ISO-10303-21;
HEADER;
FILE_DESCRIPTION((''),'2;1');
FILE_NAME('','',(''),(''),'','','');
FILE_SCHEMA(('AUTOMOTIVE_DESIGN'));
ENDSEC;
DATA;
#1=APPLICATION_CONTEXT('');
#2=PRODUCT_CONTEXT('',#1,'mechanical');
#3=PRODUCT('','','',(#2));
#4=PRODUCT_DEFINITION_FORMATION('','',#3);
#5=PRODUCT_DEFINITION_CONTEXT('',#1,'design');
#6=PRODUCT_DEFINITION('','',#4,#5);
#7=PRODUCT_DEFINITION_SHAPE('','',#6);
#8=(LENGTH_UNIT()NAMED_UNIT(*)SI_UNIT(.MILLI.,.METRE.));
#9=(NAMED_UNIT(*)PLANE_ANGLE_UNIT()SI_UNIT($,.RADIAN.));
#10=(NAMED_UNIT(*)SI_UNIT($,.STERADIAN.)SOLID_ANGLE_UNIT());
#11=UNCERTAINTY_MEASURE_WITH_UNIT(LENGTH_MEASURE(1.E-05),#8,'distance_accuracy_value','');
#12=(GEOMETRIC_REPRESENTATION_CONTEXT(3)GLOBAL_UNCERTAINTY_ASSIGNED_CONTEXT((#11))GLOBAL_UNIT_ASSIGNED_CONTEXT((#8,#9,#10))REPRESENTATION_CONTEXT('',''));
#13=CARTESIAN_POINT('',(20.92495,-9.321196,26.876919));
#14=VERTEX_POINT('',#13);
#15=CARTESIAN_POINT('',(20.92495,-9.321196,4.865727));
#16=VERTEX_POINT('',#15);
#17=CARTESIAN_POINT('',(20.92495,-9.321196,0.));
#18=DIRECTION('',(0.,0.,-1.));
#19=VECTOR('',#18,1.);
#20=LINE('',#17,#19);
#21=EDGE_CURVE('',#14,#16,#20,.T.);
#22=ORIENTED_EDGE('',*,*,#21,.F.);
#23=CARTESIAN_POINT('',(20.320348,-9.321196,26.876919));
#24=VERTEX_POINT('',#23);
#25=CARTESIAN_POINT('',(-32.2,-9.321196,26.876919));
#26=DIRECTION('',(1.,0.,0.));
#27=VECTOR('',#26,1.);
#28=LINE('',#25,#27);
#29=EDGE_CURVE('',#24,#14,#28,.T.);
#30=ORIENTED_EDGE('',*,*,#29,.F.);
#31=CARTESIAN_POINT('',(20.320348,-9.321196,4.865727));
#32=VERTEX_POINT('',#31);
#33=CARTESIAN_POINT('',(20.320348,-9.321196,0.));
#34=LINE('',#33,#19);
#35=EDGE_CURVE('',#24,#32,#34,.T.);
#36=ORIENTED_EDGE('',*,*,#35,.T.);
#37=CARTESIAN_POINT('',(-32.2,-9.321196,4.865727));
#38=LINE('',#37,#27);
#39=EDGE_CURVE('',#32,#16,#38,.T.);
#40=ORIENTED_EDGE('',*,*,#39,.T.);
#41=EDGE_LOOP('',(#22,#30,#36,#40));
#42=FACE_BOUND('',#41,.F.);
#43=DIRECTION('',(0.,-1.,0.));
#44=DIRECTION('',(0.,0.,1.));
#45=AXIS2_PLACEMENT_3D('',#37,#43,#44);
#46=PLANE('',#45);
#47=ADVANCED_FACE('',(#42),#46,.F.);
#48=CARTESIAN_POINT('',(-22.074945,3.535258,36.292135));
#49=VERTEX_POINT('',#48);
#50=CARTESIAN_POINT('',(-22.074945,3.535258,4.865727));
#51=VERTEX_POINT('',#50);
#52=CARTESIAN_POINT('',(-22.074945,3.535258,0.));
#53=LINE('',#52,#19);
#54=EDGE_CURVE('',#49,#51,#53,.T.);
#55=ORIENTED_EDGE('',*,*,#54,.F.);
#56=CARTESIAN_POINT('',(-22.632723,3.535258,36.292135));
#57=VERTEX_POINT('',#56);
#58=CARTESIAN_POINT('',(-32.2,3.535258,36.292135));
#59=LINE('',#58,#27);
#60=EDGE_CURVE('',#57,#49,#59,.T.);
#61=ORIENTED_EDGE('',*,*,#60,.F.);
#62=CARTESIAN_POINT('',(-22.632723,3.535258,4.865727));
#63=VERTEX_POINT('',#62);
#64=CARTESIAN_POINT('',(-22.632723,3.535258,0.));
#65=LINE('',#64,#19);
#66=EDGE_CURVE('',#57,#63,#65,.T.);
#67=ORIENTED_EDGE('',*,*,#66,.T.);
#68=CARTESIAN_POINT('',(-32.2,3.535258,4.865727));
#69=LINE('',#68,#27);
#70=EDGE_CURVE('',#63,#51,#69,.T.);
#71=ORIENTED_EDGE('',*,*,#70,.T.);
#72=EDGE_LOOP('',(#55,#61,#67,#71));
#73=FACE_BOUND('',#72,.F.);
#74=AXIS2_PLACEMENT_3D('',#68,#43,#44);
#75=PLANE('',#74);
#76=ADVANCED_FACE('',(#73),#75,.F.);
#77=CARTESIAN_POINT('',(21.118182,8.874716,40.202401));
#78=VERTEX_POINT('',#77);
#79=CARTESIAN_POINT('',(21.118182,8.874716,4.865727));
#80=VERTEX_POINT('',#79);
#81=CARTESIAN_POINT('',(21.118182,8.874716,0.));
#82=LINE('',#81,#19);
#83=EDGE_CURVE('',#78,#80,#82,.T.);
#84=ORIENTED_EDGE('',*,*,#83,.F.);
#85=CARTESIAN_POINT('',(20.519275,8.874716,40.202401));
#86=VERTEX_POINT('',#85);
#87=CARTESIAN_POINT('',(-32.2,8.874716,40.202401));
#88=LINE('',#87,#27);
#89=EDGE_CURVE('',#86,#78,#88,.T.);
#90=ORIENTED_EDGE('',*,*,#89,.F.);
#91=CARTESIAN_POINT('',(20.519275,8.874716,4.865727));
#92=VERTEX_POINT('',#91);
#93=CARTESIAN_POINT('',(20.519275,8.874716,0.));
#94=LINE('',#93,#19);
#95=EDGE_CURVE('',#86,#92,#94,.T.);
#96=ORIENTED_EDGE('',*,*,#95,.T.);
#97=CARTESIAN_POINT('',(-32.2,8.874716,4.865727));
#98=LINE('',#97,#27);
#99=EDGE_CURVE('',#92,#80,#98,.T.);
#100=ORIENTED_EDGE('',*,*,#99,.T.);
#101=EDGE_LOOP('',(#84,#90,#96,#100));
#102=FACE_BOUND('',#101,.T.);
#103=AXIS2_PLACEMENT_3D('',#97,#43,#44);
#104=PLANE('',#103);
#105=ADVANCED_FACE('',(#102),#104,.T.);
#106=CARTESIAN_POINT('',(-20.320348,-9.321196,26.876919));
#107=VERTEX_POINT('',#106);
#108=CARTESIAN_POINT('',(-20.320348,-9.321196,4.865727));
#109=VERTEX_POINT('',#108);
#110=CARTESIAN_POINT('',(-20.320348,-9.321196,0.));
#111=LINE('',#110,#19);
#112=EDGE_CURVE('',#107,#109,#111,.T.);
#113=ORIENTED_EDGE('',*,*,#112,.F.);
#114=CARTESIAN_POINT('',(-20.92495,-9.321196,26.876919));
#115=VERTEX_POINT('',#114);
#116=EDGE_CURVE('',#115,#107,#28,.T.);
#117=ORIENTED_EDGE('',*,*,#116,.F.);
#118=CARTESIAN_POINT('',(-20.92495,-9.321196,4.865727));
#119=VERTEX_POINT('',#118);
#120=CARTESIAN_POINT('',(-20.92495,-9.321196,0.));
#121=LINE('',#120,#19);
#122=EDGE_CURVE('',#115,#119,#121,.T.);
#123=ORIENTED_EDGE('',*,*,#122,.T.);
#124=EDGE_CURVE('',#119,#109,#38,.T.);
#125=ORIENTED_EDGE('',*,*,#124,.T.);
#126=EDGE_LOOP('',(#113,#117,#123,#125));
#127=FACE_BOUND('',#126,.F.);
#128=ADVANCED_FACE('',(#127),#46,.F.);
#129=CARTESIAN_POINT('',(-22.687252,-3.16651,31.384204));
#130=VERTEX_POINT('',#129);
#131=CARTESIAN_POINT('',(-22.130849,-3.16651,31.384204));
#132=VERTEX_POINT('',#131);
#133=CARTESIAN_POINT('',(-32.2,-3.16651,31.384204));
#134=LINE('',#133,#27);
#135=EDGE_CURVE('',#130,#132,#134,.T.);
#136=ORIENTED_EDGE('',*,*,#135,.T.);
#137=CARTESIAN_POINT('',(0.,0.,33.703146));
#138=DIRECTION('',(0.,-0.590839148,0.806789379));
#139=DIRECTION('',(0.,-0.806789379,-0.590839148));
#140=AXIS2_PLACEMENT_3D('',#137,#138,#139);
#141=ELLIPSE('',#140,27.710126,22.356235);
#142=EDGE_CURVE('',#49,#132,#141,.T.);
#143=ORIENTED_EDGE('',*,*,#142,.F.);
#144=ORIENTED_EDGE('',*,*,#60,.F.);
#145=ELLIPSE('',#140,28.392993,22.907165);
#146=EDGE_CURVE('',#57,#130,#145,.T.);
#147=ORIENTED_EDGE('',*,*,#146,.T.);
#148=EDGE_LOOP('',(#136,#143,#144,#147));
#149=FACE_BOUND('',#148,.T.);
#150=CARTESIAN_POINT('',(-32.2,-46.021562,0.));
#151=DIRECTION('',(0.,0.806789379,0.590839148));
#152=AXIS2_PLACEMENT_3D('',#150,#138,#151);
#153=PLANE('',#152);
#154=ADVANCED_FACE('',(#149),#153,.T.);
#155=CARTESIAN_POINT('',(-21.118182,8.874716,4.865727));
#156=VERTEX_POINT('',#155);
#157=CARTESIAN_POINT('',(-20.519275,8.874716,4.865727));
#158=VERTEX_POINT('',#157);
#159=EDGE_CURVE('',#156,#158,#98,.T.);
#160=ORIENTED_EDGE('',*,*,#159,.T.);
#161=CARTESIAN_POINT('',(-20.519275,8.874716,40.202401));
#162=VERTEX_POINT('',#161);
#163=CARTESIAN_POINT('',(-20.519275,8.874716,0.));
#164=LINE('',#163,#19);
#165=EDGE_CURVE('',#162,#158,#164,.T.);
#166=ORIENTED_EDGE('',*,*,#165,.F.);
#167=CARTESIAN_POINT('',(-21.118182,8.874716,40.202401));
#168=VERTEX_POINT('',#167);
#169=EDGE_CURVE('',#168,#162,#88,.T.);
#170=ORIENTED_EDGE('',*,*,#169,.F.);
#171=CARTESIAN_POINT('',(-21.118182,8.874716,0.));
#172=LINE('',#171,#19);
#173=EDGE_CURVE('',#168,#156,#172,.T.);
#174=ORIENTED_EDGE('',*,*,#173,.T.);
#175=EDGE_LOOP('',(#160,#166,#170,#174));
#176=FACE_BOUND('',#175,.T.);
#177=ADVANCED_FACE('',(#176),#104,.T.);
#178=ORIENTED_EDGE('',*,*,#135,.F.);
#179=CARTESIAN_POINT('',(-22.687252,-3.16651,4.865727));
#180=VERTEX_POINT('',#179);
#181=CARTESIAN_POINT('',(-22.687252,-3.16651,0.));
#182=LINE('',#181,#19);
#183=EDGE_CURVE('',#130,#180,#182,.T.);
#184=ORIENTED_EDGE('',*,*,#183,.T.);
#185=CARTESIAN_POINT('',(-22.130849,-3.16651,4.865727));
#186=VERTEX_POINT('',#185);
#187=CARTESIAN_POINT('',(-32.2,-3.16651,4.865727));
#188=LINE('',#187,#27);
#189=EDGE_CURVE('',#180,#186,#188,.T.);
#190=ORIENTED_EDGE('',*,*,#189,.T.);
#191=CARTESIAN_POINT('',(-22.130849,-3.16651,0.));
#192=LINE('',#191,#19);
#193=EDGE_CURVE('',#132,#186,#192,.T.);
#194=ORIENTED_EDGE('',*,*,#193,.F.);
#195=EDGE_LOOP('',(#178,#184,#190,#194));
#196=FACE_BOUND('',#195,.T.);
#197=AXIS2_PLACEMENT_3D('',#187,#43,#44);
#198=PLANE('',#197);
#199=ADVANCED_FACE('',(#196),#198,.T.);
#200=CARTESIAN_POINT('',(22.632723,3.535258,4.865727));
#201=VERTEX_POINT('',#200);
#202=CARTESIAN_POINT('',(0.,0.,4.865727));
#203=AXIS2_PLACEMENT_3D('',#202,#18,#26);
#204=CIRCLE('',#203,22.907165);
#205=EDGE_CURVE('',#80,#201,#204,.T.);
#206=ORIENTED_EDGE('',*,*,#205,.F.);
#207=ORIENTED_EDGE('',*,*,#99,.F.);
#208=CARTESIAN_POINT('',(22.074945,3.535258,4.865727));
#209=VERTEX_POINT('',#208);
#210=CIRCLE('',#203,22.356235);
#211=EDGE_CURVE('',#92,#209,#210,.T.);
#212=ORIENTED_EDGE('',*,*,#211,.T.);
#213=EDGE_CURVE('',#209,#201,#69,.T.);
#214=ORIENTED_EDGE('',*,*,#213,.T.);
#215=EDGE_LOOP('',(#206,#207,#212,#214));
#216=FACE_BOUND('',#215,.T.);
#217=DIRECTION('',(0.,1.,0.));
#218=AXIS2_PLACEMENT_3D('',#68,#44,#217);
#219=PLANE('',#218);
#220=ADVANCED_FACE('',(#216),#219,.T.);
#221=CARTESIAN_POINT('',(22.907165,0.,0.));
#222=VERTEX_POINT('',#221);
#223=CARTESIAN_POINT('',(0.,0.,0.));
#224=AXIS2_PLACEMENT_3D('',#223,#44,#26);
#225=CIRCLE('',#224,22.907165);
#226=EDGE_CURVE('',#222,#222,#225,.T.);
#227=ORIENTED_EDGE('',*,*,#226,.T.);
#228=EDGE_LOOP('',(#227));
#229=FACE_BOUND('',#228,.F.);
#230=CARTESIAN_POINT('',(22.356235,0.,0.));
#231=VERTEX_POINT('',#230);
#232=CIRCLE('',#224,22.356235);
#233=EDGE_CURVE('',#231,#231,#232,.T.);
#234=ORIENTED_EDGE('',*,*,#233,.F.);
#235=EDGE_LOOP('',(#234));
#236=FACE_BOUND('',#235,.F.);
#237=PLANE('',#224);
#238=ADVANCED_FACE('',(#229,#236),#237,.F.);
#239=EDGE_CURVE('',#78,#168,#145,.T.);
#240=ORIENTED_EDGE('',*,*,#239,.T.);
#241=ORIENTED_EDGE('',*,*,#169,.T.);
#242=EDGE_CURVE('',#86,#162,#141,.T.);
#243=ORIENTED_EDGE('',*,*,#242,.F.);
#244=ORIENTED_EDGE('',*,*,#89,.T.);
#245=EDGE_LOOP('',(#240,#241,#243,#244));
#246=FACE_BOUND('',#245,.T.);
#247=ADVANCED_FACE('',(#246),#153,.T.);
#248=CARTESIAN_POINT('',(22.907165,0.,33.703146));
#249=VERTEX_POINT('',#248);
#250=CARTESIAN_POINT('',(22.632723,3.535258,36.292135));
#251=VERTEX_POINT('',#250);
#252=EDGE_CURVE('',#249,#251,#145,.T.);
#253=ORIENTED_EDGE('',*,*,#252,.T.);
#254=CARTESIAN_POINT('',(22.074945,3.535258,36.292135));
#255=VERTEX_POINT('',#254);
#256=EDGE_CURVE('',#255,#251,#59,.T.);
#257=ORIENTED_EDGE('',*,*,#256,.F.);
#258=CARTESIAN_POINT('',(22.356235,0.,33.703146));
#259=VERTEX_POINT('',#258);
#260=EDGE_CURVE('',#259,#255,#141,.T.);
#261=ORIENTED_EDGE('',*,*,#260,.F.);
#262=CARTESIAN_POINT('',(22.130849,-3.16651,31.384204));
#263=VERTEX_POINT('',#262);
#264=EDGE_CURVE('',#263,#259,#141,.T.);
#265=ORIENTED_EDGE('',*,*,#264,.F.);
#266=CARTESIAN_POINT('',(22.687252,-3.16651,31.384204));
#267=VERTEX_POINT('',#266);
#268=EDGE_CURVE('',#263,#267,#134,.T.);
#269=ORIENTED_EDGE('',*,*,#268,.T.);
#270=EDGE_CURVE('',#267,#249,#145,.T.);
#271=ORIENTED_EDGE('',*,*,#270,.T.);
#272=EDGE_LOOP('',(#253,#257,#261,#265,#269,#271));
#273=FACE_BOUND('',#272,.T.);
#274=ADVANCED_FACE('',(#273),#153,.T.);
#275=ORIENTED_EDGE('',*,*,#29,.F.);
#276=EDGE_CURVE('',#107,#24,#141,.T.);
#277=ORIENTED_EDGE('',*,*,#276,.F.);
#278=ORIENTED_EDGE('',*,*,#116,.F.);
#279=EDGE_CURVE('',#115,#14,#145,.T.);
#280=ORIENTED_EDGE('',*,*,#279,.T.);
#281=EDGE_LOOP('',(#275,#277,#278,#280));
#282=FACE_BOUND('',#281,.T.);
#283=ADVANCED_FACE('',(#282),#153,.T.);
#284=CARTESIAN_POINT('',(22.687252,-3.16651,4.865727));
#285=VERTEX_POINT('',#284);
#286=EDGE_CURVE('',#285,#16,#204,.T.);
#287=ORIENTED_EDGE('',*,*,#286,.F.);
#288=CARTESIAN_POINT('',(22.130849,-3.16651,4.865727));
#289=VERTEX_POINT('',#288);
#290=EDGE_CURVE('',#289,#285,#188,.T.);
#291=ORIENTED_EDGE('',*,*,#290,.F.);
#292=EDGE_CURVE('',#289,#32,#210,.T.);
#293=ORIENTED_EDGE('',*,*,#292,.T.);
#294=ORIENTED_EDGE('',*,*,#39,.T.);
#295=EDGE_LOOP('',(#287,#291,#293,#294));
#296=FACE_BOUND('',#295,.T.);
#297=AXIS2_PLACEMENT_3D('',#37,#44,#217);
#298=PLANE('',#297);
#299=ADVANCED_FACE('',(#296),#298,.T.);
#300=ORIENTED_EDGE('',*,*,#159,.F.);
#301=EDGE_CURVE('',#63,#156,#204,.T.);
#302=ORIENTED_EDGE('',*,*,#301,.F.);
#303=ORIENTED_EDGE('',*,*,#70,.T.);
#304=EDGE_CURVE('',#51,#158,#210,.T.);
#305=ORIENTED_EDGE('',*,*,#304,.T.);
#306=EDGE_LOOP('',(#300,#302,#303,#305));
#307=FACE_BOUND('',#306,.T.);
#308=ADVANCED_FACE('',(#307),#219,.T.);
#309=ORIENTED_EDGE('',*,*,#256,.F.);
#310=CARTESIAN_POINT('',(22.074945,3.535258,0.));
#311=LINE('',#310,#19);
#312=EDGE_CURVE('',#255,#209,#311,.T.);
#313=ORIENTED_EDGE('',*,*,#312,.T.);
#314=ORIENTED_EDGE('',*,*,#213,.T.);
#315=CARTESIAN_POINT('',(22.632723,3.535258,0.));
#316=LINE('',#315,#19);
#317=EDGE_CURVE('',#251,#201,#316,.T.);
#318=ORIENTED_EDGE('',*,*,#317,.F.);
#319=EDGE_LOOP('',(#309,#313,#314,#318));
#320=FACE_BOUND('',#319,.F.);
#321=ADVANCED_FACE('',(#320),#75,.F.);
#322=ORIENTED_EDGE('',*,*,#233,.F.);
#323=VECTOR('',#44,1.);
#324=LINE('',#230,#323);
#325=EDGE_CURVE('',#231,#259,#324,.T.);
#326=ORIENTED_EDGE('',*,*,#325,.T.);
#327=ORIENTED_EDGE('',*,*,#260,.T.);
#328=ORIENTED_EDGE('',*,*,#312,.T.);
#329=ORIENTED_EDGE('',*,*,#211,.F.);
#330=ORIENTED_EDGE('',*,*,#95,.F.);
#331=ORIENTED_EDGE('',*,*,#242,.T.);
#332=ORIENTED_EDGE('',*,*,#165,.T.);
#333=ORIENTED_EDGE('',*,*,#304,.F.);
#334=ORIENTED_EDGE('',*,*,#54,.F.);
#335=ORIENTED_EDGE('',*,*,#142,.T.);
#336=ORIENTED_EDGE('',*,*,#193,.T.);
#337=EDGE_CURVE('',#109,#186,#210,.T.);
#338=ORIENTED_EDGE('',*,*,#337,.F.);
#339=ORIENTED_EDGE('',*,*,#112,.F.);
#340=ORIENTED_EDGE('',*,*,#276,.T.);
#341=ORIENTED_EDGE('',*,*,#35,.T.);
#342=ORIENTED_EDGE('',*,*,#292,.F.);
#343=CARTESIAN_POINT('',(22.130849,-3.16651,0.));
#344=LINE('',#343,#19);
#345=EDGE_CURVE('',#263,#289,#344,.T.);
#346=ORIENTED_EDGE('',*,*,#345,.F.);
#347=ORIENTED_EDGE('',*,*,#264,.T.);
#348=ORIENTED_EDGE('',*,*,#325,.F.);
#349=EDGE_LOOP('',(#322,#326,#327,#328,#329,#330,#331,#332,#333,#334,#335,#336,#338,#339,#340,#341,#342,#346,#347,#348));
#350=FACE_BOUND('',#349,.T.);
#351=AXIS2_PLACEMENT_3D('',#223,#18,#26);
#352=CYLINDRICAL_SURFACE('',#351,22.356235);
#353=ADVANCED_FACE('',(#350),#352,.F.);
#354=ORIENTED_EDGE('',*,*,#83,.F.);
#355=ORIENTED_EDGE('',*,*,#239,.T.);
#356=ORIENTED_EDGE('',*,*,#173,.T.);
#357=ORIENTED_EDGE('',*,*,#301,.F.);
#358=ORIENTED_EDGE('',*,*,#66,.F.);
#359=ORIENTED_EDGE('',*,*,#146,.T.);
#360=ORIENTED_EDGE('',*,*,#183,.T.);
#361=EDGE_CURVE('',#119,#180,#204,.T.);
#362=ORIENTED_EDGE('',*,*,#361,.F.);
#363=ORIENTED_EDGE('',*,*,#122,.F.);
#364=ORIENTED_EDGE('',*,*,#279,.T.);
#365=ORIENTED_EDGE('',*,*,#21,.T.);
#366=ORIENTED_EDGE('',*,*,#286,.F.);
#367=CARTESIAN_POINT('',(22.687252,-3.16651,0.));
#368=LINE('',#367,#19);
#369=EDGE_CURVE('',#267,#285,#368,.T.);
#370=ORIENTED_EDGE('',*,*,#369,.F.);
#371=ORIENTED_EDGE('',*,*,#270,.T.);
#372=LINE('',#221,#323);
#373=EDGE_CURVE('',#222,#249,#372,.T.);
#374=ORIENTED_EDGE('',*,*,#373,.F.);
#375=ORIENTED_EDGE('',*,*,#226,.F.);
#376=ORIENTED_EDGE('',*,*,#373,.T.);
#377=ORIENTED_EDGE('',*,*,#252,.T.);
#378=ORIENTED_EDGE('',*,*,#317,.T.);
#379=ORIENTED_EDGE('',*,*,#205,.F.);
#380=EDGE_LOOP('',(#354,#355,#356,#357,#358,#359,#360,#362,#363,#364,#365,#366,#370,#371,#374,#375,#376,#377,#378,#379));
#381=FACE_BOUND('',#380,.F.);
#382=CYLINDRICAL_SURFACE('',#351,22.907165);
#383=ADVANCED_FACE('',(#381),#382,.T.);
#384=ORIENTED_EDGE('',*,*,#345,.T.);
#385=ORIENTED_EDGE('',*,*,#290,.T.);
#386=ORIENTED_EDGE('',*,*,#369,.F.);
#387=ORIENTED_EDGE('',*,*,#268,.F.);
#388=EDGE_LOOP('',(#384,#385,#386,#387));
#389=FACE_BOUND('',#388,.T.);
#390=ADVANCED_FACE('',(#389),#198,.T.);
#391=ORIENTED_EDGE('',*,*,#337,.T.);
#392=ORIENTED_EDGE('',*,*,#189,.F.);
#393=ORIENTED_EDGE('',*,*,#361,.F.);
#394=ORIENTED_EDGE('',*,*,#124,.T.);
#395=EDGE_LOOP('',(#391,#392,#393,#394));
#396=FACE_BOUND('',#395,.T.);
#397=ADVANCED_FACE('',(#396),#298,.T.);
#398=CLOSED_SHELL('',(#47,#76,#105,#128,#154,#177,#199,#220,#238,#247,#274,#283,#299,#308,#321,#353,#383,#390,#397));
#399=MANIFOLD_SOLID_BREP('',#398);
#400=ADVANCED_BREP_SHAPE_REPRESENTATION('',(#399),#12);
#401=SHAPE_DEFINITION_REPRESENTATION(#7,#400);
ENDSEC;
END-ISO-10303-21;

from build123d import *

# Parameters (mm, degrees)
F0_R      = 22.907165
F1_DEPTH  = 51.1
F4_DEPTH  = 106.8
F5_R      = 22.356235
F5_R_2    = 21
F6_DEPTH  = 54.8
F7_R      = 21.538885
F8_DEPTH  = 64.2
F9_W      = 6.154686
F9_H      = 33.235299
F9_W_2    = 5.339459
F9_H_2    = 37.849365
F10_DEPTH = 98.8
F11_DEPTH = 96.1


with BuildPart() as f1:
    # F0 (on Top) → F1 (new body)
    with BuildSketch(Plane.XY):
        Circle(F0_R)
    extrude(amount=F1_DEPTH)

    # F3 (on offset) → F4 (cut)
    with BuildSketch(Plane.YZ.offset(-32.2)):
        Polygon((-46.021562, 0), (31.365387, 56.67308), (-37.553031, 54.173857), align=None)
    extrude(amount=F4_DEPTH, mode=Mode.SUBTRACT)

    # F5 (on Top) → F6 (cut)
    with BuildSketch(Plane.XY):
        Circle(F5_R)
        Circle(F5_R_2, mode=Mode.SUBTRACT)
    extrude(amount=F6_DEPTH, mode=Mode.SUBTRACT)

    # F7 (on Top) → F8 (cut)
    with BuildSketch(Plane.XY):
        Circle(F7_R)
    extrude(amount=F8_DEPTH, mode=Mode.SUBTRACT)

    # F9 (on offset) → F10 (cut)
    with BuildSketch(Plane.YZ.offset(-32.2)):
        with Locations((-6.243853, 21.483376)):
            Rectangle(F9_W, F9_H)
        with Locations((6.204987, 23.790409)):
            Rectangle(F9_W_2, F9_H_2)
    extrude(amount=F10_DEPTH, mode=Mode.SUBTRACT)

    # F9 (on offset) → F11 (cut)
    with BuildSketch(Plane.YZ.offset(-32.2)):
        with Locations((-6.243853, 21.483376)):
            Rectangle(F9_W, F9_H)
        with Locations((6.204987, 23.790409)):
            Rectangle(F9_W_2, F9_H_2)
    extrude(amount=F11_DEPTH, mode=Mode.SUBTRACT)


solid = f1.part
